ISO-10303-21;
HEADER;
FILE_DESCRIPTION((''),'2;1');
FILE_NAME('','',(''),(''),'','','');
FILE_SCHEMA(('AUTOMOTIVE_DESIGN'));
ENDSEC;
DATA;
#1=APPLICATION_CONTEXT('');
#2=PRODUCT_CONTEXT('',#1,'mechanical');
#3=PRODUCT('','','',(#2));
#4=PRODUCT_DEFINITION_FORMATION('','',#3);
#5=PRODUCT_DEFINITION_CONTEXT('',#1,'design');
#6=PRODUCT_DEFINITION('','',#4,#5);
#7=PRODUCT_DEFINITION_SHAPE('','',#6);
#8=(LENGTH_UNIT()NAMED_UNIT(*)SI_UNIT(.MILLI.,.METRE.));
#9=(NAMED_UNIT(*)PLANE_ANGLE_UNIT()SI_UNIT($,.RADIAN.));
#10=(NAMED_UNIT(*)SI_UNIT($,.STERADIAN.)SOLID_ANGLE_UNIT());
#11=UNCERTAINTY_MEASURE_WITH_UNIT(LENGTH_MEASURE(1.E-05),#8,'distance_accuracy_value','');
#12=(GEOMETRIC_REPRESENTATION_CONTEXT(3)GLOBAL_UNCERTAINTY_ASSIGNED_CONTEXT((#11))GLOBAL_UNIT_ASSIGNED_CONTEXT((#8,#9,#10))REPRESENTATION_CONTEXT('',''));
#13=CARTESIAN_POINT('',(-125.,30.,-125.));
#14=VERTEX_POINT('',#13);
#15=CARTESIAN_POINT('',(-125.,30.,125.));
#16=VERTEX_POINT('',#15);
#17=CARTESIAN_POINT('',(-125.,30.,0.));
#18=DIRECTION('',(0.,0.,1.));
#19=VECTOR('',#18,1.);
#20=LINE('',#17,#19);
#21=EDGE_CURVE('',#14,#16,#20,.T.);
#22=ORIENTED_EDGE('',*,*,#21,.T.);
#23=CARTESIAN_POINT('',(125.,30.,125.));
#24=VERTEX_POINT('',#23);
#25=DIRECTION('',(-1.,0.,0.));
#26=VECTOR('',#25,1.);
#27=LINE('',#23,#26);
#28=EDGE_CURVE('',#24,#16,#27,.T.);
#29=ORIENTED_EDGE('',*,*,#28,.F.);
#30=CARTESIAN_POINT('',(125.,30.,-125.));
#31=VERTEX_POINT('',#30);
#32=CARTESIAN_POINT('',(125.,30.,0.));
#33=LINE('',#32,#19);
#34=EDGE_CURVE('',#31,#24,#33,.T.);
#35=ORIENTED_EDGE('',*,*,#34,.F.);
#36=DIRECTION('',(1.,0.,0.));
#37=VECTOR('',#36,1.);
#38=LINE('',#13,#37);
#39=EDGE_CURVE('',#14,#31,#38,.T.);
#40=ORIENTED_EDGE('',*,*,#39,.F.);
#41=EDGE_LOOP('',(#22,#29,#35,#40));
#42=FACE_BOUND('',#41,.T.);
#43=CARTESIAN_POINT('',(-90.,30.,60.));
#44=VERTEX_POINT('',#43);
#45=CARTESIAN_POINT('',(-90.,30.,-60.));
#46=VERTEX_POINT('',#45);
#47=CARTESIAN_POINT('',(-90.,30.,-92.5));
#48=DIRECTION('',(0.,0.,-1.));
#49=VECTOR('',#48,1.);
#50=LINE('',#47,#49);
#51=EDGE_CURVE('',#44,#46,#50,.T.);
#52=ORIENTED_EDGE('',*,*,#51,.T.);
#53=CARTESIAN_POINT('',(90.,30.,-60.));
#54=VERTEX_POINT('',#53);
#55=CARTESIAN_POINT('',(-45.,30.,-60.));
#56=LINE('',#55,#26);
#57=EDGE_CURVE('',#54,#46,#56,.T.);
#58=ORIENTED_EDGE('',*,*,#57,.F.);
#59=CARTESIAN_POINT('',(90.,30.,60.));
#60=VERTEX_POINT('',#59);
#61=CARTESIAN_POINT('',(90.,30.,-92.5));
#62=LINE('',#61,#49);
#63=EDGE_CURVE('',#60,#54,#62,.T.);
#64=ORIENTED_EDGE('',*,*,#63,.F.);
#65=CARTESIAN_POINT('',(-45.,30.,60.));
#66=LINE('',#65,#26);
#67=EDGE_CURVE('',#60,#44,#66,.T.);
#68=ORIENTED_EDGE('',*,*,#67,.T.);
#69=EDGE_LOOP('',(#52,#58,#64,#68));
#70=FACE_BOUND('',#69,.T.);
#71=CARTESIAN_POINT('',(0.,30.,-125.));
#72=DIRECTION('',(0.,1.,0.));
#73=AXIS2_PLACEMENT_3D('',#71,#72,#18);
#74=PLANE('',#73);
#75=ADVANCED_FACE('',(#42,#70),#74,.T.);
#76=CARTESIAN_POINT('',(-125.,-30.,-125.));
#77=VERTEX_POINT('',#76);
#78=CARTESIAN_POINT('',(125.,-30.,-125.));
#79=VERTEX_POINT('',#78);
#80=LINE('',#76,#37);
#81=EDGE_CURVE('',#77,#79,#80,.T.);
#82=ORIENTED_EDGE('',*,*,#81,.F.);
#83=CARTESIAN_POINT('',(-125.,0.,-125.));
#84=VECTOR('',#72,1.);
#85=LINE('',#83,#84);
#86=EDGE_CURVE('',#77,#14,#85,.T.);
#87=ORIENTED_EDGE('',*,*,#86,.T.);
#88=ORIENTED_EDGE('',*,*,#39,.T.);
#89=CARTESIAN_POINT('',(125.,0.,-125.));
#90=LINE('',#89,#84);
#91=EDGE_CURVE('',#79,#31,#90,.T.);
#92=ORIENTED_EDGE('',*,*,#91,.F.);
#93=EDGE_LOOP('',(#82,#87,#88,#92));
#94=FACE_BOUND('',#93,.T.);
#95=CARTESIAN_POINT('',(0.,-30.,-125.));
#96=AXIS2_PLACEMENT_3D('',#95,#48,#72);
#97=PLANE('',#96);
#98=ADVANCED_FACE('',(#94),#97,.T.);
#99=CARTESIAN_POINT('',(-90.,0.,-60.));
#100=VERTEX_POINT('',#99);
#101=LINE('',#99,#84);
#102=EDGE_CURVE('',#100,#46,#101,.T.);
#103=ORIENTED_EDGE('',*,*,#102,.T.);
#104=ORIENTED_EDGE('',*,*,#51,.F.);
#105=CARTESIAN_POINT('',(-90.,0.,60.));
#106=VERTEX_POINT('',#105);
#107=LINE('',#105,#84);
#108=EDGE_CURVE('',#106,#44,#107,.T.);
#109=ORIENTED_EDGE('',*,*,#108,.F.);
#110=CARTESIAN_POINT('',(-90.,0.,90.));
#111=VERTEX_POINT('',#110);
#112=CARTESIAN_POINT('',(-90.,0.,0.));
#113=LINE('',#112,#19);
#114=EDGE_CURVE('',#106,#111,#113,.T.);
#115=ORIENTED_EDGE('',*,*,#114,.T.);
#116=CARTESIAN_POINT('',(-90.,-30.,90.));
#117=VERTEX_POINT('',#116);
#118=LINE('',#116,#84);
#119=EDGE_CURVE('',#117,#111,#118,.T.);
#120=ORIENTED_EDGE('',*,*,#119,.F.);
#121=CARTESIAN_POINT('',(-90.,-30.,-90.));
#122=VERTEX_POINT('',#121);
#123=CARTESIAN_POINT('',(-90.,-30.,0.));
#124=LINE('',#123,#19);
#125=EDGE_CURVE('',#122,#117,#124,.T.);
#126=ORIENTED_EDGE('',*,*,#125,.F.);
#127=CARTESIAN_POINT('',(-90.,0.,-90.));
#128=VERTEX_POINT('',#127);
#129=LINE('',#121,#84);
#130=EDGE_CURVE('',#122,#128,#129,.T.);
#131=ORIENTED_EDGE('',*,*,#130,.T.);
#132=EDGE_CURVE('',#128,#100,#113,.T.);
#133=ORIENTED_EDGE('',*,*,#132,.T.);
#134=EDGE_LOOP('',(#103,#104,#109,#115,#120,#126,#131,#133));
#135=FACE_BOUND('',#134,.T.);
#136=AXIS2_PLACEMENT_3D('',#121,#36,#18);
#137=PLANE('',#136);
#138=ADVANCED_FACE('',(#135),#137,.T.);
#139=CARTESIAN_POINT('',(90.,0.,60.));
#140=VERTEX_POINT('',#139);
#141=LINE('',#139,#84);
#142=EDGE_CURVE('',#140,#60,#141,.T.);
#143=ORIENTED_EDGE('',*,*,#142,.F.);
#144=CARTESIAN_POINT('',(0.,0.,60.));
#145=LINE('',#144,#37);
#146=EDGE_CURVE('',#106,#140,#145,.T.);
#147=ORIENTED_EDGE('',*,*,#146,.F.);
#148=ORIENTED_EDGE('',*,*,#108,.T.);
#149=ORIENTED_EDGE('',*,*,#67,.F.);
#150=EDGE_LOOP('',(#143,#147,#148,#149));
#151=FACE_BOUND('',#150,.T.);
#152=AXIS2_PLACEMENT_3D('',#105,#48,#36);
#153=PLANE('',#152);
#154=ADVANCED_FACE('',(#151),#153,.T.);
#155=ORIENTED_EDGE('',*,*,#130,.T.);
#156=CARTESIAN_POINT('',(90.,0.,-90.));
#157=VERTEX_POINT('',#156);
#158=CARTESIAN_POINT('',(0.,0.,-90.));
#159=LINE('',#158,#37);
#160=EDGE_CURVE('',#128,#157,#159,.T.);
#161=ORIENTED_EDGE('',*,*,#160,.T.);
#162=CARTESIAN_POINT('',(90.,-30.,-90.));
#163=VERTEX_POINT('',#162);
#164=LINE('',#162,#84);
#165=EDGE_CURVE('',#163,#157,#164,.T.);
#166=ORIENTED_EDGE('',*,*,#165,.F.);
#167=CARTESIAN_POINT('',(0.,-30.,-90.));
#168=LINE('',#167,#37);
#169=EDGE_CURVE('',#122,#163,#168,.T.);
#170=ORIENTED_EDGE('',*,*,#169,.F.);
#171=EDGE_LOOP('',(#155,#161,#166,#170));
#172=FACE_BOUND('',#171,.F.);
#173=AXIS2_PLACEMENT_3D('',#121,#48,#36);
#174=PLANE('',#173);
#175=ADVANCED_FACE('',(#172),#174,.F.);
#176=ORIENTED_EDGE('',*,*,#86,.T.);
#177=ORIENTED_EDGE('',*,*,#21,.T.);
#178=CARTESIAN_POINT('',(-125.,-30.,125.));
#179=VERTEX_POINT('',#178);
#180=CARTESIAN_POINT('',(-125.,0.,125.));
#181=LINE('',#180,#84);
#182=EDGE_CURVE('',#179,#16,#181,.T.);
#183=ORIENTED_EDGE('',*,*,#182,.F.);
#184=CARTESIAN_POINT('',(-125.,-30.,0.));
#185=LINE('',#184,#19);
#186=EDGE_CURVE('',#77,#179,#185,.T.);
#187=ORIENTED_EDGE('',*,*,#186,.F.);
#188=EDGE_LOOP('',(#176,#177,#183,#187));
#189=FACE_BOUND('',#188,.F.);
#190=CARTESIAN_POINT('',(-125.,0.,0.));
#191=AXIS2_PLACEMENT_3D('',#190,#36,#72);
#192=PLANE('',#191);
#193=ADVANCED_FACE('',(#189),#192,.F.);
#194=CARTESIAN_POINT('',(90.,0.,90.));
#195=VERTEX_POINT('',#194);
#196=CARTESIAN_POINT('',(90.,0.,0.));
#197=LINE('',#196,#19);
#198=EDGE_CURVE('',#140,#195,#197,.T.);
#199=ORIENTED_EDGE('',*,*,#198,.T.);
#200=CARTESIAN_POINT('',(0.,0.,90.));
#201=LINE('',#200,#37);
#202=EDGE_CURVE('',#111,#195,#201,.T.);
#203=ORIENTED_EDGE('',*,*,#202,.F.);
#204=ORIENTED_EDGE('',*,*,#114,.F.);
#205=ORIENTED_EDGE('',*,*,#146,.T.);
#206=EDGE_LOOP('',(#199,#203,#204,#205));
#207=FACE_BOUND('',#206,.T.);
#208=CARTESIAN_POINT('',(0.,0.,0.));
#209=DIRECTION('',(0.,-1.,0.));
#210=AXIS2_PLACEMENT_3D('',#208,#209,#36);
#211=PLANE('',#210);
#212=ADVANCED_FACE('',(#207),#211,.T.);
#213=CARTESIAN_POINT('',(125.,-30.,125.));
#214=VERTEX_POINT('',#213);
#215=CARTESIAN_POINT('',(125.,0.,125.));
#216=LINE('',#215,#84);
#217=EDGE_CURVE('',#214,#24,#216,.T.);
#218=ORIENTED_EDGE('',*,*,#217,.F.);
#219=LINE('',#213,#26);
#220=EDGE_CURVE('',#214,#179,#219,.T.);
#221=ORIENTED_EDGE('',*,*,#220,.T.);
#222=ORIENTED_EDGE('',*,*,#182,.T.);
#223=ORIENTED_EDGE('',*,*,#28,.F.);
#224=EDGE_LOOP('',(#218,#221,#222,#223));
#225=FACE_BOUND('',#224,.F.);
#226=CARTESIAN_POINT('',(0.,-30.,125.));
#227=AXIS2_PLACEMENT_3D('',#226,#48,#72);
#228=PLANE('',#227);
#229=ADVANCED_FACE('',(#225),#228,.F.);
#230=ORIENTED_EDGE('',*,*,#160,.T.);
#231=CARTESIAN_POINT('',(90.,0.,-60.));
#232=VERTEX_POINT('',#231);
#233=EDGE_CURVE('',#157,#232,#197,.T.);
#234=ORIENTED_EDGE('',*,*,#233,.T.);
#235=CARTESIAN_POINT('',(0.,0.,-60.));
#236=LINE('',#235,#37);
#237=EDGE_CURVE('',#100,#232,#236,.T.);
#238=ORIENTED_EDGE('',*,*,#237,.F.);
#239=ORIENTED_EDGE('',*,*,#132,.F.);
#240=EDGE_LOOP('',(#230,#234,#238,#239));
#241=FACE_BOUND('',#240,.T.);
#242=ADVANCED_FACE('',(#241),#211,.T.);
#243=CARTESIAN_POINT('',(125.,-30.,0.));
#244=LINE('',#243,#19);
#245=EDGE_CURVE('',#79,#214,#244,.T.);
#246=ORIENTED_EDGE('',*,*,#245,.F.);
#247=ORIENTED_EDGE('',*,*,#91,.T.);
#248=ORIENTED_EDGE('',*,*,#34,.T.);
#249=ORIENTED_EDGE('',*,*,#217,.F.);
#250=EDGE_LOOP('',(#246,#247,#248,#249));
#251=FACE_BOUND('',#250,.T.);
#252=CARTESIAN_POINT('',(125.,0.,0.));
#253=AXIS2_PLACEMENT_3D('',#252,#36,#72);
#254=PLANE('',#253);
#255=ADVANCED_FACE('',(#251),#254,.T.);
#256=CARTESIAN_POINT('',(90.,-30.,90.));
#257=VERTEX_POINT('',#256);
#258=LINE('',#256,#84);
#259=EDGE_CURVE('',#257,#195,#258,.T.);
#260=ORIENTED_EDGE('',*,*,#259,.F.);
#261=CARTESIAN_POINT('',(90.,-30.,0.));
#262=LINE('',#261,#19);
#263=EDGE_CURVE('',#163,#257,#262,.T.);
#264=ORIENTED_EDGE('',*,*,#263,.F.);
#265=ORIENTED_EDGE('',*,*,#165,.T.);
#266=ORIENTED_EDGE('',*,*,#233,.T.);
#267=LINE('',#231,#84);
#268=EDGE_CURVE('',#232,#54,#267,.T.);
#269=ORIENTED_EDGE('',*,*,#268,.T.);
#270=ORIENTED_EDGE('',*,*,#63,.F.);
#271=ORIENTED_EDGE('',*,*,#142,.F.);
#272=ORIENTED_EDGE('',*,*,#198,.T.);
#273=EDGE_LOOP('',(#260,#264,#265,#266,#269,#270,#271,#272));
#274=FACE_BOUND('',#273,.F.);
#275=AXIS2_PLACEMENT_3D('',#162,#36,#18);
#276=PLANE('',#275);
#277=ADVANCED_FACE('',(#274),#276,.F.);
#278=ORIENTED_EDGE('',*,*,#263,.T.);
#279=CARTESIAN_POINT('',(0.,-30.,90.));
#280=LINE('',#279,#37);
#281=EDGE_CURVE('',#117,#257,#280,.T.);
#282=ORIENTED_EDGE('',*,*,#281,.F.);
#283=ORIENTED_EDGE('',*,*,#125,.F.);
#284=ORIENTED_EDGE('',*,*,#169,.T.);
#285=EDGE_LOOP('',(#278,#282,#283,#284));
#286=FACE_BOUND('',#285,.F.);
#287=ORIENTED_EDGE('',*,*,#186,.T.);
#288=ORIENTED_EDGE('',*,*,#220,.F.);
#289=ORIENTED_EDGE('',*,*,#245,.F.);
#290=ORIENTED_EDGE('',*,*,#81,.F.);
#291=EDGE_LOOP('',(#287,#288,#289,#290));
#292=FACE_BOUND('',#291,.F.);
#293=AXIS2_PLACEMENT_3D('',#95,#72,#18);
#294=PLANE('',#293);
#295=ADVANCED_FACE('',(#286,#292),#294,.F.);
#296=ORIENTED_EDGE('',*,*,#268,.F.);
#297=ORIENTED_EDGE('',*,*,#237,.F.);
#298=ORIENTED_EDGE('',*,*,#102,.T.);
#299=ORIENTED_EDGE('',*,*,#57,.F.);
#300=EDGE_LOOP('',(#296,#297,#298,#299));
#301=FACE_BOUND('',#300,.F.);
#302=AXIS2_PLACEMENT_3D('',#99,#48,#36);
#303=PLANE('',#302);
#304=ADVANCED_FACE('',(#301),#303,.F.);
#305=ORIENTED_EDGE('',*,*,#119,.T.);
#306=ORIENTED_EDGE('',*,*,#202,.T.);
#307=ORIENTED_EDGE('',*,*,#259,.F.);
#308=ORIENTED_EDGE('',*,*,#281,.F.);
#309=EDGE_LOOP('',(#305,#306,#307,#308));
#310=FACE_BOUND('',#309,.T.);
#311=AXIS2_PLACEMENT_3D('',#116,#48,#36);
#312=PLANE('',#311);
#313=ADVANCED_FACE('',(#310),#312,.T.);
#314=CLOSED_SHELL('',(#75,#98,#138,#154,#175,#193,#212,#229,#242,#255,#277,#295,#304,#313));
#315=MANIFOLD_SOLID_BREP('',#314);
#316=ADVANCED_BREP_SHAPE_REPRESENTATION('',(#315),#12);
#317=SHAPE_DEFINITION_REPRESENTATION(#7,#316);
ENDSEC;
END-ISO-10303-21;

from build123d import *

# Parameters (mm, degrees)
F0_W     = 60
F0_H     = 250
F1_DEPTH = 125
F2_W     = 180
F2_H     = 180
F3_DEPTH = 30
F4_W     = 180
F4_H     = 120
F5_DEPTH = 30.001


with BuildPart() as f1:
    # F0 (on Right) → F1 (new body, symmetric)
    with BuildSketch(Plane.YZ):
        Rectangle(F0_W, F0_H)
    extrude(amount=F1_DEPTH, both=True)

    # F2 (on face) → F3 (cut)
    with BuildSketch(Plane.XZ.offset(30)):
        Rectangle(F2_W, F2_H)
    extrude(amount=-F3_DEPTH, mode=Mode.SUBTRACT)

    # F4 (on face) → F5 (cut, through all)
    with BuildSketch(Plane.XZ):
        Rectangle(F4_W, F4_H)
    extrude(amount=-F5_DEPTH, mode=Mode.SUBTRACT)


solid = f1.part
